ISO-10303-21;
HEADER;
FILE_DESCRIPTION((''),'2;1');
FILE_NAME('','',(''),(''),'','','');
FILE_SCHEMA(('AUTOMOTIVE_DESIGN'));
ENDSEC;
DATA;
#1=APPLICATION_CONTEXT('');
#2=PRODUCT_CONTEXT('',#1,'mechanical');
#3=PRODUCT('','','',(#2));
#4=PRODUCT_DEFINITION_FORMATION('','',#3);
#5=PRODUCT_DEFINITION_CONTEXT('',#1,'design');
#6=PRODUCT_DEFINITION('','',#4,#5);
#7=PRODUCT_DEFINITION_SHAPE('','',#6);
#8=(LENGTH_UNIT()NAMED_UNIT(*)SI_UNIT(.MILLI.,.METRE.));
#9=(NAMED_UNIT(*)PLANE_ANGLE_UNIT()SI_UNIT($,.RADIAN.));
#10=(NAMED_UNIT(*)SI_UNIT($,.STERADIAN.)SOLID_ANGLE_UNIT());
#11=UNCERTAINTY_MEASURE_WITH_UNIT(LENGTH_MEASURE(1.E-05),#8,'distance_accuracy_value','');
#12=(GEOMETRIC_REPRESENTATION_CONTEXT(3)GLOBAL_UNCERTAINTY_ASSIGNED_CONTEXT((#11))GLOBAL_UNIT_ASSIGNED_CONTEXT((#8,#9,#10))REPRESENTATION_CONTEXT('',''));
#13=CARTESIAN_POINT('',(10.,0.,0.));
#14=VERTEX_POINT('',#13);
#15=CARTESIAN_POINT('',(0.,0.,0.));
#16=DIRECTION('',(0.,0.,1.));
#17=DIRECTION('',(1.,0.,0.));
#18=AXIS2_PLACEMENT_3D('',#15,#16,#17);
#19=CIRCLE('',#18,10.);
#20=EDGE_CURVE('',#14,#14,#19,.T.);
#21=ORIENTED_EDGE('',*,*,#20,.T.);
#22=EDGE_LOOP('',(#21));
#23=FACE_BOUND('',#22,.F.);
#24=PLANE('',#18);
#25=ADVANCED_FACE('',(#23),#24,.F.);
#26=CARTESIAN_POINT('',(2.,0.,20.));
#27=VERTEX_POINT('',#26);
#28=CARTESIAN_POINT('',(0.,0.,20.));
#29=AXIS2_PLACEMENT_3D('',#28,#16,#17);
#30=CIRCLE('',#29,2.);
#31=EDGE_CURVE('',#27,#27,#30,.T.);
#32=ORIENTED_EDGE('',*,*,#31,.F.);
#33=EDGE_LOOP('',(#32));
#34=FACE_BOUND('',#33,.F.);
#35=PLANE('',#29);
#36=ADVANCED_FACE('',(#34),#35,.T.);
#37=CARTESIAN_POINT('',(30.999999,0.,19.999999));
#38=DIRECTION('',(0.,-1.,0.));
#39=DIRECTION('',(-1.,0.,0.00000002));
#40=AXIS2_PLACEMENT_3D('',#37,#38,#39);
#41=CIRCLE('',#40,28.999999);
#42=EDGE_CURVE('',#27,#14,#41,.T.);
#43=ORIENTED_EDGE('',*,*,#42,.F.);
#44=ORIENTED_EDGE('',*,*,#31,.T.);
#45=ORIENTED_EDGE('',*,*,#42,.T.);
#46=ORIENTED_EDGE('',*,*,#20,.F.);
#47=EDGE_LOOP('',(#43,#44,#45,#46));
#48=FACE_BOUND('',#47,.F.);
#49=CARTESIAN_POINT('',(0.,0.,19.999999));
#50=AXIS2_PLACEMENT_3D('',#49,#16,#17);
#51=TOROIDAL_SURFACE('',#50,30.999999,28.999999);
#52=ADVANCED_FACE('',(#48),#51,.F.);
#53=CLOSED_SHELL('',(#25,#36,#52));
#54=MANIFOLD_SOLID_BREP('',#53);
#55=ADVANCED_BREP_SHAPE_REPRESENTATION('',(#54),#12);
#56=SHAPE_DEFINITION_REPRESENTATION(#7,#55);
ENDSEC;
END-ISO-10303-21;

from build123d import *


with BuildPart() as part:
    # Sketch → Revolution (revolve)
    with BuildSketch(Plane.XZ):
        with BuildLine():
            Line((0, 0), (0, 20))
            Line((0, 20), (2, 20))
            ThreePointArc((2, 20), (4.074176, 9.22967), (10, 0))
            Line((10, 0), (0, 0))
        make_face()
    revolve(axis=Axis((0, 0, 0), (0, 0, 1)))


solid = part.part
